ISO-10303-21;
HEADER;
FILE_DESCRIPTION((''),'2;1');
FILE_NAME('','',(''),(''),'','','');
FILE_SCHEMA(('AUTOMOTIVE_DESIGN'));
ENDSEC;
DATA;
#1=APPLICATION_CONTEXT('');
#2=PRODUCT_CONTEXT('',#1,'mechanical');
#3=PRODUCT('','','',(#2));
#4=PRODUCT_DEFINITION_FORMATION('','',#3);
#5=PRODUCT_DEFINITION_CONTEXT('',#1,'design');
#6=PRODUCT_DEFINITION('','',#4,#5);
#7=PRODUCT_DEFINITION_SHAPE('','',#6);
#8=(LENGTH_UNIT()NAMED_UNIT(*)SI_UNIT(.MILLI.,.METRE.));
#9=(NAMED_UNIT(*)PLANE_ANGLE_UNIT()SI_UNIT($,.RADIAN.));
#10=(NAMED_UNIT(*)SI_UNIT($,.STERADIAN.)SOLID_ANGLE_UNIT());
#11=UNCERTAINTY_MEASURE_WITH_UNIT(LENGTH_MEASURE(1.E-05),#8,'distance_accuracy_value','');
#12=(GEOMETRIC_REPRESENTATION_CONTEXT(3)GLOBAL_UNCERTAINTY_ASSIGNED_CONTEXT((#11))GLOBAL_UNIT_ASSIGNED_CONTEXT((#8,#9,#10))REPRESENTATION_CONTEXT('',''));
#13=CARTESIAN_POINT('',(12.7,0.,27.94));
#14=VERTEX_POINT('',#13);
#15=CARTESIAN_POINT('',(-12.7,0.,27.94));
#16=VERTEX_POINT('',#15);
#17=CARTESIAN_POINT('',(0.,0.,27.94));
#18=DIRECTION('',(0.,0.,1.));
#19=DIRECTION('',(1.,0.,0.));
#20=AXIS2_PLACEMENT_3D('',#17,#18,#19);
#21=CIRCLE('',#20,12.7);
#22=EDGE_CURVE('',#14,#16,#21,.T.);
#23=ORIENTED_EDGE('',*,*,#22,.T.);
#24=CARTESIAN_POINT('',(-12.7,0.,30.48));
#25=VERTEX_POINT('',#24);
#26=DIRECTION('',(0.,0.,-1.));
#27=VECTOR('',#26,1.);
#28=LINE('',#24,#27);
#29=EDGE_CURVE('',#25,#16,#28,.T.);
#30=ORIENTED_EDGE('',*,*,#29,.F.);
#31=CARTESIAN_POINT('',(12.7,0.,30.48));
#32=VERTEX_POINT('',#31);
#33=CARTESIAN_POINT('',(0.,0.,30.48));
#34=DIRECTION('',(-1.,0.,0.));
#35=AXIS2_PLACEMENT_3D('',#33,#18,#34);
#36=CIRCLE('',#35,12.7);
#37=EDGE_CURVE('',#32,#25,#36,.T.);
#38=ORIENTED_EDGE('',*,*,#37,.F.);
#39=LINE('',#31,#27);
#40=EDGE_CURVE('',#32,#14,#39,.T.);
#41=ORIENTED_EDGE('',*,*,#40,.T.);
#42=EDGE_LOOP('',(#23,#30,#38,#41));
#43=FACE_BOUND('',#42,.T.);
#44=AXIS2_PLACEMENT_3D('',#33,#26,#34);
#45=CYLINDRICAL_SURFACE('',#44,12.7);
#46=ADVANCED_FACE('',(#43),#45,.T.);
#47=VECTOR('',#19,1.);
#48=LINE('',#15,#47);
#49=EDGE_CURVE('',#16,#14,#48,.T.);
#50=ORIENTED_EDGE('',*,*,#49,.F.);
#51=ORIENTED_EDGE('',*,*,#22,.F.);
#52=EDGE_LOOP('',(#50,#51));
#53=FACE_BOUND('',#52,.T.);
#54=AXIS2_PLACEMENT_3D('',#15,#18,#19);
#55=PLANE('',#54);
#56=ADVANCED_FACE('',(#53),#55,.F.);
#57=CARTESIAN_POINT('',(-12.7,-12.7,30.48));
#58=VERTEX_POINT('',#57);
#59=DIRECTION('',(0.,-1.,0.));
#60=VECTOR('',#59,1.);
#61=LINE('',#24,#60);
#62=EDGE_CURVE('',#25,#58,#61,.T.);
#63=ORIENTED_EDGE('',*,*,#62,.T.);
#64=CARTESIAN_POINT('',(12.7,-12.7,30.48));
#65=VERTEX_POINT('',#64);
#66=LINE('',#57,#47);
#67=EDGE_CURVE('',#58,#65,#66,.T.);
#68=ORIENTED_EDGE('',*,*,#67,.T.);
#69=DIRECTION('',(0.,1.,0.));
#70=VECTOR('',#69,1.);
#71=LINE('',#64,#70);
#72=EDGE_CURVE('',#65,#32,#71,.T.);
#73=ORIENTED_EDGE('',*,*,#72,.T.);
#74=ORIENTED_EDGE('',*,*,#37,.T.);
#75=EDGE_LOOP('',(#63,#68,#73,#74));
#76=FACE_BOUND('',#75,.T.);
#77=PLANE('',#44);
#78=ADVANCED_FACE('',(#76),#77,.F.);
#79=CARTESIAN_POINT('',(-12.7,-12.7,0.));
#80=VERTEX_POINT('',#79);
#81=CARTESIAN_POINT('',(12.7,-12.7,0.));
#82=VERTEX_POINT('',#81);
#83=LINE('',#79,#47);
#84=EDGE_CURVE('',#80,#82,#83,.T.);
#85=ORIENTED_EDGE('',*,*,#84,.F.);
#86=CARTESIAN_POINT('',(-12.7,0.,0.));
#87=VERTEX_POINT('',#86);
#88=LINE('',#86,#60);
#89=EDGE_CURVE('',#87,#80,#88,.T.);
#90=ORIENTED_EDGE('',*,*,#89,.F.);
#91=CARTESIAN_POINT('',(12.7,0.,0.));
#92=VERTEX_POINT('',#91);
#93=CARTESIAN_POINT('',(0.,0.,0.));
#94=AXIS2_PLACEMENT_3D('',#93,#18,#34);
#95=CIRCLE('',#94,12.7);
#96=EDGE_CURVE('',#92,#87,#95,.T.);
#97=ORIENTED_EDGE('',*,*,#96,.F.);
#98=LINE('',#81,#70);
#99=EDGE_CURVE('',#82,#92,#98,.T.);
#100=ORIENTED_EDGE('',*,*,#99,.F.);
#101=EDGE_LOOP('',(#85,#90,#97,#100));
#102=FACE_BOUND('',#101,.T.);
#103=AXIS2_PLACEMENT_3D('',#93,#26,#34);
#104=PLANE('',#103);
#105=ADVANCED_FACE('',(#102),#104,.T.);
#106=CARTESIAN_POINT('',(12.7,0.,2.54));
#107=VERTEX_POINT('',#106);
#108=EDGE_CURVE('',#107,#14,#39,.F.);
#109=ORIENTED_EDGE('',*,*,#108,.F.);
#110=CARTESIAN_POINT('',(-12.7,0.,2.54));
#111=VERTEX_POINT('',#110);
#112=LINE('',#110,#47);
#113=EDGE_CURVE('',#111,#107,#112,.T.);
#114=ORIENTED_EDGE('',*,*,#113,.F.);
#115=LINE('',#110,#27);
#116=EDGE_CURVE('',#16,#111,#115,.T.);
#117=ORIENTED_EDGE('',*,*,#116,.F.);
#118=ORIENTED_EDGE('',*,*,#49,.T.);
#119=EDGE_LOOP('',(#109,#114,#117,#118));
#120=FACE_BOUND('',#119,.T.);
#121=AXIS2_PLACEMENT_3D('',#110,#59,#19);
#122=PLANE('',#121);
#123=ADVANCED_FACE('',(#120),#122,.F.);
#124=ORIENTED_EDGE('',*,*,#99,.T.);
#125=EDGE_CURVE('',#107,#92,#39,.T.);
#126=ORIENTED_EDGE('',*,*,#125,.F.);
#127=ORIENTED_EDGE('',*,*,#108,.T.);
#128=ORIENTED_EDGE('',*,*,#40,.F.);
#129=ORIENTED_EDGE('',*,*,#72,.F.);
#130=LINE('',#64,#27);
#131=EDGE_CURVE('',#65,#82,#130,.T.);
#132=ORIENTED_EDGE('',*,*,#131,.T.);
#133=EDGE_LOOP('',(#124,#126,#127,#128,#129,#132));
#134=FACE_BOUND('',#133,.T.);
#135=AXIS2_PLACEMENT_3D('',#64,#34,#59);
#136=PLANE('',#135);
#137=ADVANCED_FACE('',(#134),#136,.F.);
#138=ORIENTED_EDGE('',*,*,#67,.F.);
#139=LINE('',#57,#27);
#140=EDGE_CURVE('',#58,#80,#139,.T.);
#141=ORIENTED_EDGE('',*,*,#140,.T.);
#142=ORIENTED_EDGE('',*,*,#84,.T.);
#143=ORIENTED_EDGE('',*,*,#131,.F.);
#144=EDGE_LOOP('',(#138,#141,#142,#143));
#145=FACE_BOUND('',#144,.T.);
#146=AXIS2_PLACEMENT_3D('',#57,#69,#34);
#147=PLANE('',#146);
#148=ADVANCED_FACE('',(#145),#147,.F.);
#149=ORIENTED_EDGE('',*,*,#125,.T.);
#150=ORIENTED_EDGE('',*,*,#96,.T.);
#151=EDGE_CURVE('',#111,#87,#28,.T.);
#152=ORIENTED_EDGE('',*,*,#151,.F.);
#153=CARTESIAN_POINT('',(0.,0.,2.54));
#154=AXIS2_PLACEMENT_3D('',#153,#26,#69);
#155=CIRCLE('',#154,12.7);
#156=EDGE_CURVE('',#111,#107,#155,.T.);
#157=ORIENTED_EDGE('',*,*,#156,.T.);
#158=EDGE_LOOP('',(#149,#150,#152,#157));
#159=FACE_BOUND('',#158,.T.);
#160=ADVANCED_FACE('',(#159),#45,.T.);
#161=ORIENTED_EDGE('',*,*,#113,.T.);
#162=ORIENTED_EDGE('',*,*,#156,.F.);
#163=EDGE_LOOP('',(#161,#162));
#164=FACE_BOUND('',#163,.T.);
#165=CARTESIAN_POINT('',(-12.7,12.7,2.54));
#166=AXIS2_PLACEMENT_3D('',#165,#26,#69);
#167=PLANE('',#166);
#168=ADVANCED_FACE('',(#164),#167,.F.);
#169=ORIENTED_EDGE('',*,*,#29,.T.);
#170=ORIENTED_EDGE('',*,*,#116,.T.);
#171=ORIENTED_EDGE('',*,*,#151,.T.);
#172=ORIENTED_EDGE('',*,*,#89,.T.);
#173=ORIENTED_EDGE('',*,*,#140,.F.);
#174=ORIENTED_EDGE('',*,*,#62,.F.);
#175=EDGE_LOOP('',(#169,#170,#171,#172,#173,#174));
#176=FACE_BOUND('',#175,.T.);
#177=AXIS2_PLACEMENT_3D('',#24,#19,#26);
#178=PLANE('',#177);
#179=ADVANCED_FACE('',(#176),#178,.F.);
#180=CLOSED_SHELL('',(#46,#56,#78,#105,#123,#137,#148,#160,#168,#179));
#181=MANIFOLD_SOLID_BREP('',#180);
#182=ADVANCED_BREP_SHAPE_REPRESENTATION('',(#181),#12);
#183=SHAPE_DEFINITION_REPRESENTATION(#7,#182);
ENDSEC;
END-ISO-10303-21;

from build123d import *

# Parameters (mm, degrees)
BOSS_EXTRUDE1_DEPTH     = 30.48
CUT_EXTRUDE1_DEPTH      = 42.659097446
CUT_EXTRUDE1_DEPTH_BACK = 42.659097446
SKETCH3_W               = 25.4
SKETCH3_H               = 12.7


with BuildPart() as part:
    # Sketch2 → Boss-Extrude1 (new body)
    with BuildSketch(Plane.XY):
        with BuildLine():
            Line((-12.7, 0), (-12.7, -12.7))
            Line((-12.7, -12.7), (12.7, -12.7))
            Line((12.7, -12.7), (12.7, 0))
            ThreePointArc((12.7, 0), (0, 12.7), (-12.7, 0))
        make_face()
    extrude(amount=BOSS_EXTRUDE1_DEPTH)

    # Sketch3 → Cut-Extrude1 (cut, two sides: drawn at the far end of the back side and taken through both)
    with BuildSketch(Plane(origin=(12.7, 0, 0), x_dir=(0, 0, -1), z_dir=(1, 0, 0)).offset(-CUT_EXTRUDE1_DEPTH_BACK)):
        with Locations((-15.24, 6.35)):
            Rectangle(SKETCH3_W, SKETCH3_H)
    extrude(amount=CUT_EXTRUDE1_DEPTH + CUT_EXTRUDE1_DEPTH_BACK, mode=Mode.SUBTRACT)


solid = part.part
